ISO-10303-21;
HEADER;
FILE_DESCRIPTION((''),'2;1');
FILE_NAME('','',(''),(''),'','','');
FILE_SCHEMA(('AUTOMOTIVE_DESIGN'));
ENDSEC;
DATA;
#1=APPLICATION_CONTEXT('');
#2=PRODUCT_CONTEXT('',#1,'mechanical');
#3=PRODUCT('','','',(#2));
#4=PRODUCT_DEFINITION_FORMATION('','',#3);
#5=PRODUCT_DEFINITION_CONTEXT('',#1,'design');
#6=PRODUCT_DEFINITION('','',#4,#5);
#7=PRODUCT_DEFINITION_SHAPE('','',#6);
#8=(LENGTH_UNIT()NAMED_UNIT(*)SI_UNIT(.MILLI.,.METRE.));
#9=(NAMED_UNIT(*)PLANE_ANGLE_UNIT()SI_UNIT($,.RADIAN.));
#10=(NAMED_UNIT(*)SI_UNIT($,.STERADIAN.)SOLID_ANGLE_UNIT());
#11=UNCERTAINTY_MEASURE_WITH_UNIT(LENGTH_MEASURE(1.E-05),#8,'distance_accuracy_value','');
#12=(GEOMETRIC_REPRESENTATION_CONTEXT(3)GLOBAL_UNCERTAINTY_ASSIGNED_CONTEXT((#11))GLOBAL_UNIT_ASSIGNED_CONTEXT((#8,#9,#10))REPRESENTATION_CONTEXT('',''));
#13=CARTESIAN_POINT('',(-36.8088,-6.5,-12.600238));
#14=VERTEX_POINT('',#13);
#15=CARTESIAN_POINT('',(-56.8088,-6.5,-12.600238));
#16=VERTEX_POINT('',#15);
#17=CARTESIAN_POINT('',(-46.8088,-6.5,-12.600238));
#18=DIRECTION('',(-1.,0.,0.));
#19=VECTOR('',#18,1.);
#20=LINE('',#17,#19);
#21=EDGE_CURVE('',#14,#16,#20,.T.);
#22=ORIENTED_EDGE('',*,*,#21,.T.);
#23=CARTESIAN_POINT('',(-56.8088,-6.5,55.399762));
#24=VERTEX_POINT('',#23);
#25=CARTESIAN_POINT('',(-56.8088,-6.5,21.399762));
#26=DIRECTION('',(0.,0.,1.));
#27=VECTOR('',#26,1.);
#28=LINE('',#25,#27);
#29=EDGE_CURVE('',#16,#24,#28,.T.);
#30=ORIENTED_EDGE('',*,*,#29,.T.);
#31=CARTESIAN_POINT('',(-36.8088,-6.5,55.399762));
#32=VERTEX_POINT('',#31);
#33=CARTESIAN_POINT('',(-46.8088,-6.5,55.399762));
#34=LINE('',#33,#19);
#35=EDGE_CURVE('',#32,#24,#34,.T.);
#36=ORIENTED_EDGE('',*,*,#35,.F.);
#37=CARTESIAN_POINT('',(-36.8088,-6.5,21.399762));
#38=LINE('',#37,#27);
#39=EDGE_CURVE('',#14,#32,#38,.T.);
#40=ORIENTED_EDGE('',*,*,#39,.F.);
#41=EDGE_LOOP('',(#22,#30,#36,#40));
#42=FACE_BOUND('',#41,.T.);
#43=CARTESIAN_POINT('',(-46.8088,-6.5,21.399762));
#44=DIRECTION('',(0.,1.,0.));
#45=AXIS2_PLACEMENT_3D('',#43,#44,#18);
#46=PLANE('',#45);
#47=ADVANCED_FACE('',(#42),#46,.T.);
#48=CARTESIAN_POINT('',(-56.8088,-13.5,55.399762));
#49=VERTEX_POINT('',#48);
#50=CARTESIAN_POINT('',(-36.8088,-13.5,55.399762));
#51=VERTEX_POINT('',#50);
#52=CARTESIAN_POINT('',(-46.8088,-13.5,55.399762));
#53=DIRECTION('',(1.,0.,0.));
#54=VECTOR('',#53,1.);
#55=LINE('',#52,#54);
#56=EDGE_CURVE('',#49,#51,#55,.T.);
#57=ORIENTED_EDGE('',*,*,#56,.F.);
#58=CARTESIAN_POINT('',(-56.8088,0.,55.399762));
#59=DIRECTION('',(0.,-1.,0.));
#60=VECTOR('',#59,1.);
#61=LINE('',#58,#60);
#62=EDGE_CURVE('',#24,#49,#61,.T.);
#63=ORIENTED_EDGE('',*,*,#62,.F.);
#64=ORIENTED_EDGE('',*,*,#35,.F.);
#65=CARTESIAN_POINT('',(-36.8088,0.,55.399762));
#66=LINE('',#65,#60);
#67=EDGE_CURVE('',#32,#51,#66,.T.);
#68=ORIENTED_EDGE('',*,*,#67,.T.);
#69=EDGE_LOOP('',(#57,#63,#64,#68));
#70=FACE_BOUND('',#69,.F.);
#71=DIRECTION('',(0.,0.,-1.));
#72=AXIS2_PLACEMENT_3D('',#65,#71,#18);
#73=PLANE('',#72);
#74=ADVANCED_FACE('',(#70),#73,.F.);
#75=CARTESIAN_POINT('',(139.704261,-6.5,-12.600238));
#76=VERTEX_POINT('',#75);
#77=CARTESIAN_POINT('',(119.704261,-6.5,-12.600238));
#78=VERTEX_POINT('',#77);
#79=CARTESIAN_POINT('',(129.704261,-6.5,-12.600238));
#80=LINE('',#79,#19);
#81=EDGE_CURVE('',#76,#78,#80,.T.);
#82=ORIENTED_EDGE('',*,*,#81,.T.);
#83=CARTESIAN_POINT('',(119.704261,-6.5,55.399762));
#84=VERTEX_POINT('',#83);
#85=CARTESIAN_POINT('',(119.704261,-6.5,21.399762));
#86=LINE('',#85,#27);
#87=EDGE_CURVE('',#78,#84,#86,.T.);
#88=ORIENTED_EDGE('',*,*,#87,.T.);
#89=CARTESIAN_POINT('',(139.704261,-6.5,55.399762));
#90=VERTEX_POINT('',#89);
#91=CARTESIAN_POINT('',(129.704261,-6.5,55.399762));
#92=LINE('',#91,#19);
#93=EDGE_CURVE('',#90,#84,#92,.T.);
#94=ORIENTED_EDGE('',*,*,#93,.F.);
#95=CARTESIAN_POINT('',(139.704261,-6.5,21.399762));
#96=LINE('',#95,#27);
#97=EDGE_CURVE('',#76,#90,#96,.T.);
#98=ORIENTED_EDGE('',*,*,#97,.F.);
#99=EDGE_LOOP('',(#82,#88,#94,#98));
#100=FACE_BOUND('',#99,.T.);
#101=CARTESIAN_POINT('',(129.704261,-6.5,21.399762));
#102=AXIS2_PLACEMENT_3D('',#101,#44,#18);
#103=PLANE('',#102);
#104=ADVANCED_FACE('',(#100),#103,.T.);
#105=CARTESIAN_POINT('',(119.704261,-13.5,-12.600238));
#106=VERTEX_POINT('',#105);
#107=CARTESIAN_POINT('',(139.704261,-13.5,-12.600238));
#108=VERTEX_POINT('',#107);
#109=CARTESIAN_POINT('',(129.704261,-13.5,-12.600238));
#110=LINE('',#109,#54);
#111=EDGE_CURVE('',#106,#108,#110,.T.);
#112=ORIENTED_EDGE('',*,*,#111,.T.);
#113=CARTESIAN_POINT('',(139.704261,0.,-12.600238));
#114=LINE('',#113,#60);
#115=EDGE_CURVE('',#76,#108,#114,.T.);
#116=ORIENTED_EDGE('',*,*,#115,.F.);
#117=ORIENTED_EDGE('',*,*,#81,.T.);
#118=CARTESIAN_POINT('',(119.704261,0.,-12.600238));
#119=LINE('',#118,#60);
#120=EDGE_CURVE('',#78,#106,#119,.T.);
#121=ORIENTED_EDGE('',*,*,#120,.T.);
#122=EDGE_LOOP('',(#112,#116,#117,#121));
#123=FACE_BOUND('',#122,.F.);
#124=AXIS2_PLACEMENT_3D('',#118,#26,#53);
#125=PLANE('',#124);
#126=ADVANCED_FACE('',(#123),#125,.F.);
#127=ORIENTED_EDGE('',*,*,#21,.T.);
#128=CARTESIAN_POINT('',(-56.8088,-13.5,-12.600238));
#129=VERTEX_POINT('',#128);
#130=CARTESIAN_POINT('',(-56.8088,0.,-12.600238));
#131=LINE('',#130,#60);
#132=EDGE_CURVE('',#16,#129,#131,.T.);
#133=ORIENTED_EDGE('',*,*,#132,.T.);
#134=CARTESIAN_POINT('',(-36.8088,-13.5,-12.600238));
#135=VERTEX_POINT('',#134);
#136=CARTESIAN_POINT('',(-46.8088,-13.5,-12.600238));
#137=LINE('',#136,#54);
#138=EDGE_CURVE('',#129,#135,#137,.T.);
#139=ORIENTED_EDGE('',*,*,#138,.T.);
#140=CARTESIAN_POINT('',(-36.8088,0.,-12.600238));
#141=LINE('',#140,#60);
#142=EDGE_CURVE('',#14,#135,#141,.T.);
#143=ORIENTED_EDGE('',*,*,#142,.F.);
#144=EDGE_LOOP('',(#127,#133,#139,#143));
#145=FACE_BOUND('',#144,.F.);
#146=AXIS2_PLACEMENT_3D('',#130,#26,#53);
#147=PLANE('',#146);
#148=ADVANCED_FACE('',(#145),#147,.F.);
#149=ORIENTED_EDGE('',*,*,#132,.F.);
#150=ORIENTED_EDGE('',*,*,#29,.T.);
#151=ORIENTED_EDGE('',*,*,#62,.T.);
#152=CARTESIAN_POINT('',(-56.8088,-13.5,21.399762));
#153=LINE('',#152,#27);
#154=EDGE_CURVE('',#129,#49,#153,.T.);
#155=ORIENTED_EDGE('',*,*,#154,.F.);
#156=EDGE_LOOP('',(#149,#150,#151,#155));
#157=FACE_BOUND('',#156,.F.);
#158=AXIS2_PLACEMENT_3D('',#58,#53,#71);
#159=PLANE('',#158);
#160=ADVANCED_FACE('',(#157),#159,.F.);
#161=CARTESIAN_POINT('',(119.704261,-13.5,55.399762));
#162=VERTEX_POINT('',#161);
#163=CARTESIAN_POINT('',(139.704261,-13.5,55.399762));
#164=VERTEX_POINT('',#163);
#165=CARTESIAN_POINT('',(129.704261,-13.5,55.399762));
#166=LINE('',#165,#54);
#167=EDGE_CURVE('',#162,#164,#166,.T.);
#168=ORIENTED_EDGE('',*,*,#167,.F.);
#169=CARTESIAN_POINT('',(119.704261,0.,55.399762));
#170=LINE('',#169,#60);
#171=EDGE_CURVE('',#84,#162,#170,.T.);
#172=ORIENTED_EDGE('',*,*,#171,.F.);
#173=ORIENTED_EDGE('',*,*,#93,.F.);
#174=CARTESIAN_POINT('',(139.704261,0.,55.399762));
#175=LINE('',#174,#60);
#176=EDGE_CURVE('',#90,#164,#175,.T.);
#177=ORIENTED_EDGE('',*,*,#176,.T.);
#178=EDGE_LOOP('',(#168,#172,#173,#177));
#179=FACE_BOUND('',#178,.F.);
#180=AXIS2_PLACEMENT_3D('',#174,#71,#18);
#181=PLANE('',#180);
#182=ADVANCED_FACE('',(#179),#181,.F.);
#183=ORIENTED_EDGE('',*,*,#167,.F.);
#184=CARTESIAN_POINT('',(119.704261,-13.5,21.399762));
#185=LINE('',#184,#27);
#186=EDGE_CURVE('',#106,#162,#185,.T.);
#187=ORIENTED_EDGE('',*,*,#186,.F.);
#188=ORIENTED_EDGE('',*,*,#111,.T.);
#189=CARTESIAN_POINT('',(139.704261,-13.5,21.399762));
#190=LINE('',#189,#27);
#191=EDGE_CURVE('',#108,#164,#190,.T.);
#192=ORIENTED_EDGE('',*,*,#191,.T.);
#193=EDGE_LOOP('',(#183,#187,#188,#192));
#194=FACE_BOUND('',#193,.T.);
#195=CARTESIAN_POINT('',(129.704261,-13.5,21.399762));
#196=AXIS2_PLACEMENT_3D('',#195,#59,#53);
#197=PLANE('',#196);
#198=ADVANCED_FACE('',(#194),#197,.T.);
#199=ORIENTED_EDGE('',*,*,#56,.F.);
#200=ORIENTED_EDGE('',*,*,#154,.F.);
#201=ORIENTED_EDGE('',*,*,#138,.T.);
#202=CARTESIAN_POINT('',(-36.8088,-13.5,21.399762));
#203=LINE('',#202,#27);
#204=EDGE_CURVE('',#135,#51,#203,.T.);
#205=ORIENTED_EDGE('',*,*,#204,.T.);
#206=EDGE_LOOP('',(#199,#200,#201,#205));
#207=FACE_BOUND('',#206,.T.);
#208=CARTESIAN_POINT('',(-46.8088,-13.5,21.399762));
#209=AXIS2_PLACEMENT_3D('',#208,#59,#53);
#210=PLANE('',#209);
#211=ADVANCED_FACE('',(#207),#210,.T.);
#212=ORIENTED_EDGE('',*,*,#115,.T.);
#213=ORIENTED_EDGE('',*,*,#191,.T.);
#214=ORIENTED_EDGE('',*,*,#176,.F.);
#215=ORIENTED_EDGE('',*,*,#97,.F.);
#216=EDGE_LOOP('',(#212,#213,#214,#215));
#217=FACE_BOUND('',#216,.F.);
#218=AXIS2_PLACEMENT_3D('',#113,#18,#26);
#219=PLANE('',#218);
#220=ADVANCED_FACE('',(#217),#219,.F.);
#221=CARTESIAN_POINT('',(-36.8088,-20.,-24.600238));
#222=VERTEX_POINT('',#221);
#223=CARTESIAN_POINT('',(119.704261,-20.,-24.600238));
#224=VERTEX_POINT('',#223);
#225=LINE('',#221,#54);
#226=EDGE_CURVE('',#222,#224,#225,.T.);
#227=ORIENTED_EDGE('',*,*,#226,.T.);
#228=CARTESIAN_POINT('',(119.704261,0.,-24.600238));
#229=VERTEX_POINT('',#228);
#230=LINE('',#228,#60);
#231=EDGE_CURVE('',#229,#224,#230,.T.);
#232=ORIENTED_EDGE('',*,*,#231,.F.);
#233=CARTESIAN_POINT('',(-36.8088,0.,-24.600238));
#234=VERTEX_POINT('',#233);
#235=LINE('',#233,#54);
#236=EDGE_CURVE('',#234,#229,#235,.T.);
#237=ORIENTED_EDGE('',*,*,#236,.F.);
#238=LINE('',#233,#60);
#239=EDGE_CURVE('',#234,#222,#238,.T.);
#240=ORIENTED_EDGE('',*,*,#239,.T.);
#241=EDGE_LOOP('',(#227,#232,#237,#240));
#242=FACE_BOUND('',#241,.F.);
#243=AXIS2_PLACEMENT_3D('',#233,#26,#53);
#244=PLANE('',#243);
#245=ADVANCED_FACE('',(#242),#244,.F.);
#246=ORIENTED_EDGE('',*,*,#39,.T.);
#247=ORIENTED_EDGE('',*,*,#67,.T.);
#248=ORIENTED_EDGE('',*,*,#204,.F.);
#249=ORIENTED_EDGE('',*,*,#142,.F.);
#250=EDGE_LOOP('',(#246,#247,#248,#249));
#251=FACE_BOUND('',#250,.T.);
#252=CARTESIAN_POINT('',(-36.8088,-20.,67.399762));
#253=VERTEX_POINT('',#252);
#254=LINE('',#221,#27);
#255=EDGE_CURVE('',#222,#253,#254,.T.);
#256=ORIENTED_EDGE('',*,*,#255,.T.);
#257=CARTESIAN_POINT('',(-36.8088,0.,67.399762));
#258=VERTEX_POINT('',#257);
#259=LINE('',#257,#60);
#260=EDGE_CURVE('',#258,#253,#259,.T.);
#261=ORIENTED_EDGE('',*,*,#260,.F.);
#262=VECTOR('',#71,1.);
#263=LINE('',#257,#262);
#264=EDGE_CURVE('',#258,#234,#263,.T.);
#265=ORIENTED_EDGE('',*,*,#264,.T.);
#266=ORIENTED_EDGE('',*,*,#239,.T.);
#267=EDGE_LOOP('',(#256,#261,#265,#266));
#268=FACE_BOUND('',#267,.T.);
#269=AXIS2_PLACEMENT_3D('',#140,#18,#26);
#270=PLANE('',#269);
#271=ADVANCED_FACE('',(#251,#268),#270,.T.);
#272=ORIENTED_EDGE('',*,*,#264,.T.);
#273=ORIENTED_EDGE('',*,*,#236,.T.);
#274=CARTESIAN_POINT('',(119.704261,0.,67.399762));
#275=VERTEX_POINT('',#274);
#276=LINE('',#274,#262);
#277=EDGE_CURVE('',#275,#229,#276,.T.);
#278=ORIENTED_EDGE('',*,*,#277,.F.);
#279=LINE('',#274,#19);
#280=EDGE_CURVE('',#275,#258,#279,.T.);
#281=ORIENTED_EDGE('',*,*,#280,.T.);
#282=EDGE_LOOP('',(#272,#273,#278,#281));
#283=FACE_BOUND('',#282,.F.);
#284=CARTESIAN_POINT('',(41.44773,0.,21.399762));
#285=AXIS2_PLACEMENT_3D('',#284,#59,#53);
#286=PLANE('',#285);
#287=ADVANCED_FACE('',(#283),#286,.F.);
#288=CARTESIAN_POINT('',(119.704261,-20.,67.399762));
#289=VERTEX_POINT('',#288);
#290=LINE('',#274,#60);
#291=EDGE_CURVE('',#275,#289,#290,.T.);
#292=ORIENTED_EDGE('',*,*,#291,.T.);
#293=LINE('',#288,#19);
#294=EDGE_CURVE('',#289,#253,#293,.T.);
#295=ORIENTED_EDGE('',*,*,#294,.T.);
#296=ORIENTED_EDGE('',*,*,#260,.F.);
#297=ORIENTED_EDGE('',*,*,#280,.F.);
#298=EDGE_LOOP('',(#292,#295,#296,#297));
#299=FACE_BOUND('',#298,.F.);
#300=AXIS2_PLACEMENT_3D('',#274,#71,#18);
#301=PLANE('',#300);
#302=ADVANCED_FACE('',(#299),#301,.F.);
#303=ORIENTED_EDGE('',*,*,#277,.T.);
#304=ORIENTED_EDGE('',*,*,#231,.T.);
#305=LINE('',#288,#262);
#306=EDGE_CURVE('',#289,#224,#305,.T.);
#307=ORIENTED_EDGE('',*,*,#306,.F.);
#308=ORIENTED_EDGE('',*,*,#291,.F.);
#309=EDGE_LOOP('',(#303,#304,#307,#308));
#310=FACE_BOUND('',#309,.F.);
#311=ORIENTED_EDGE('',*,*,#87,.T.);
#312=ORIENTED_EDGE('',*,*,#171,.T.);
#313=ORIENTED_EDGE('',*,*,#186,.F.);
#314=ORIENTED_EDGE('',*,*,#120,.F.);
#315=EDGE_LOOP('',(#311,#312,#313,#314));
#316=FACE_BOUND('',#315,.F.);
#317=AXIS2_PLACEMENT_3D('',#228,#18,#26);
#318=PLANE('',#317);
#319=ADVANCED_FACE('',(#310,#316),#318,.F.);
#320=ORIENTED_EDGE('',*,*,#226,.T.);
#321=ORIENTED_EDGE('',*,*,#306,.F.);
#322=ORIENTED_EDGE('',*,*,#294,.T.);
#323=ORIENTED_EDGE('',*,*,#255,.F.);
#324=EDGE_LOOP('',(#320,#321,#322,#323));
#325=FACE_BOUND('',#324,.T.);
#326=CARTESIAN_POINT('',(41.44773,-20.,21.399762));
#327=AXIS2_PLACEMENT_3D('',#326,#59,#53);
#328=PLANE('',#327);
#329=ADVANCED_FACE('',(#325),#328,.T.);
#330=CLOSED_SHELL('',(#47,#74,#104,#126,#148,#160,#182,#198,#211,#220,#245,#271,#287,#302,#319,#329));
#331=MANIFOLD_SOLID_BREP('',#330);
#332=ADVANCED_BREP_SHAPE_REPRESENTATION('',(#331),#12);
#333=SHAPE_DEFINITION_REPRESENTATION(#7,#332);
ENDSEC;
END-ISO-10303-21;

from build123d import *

# Parameters (mm, degrees)
F1_DEPTH = 20
F2_W     = 20
F2_H     = 68
F3_DEPTH = 6.5
F4_W     = 20
F4_H     = 68
F5_DEPTH = 6.5


with BuildPart() as f1:
    # F0 (on Front) → F1 (new body)
    with BuildSketch(Plane.XZ):
        Polygon((-56.8088, 55.399762), (-56.8088, -12.600238), (-36.8088, -12.600238), (-36.8088, -24.600238), (119.704261, -24.600238), (119.704261, -12.600238), (139.704261, -12.600238), (139.704261, 55.399762), (119.704261, 55.399762), (119.704261, 67.399762), (-36.8088, 67.399762), (-36.8088, 55.399762), align=None)
    extrude(amount=F1_DEPTH)

    # F2 (on face) → F3 (cut)
    with BuildSketch(Plane.XZ.offset(20)):
        with Locations((129.704261, 21.399762)):
            Rectangle(F2_W, F2_H)
        with Locations((-46.8088, 21.399762)):
            Rectangle(F2_W, F2_H)
    extrude(amount=-F3_DEPTH, mode=Mode.SUBTRACT)

    # F4 (on face) → F5 (cut)
    with BuildSketch(Plane(origin=(0, 0, 0), x_dir=(-1, 0, 0), z_dir=(0, 1, 0))):
        with Locations((-129.704261, 21.399762)):
            Rectangle(F4_W, F4_H)
        with Locations((46.8088, 21.399762)):
            Rectangle(F4_W, F4_H)
    extrude(amount=-F5_DEPTH, mode=Mode.SUBTRACT)


solid = f1.part
